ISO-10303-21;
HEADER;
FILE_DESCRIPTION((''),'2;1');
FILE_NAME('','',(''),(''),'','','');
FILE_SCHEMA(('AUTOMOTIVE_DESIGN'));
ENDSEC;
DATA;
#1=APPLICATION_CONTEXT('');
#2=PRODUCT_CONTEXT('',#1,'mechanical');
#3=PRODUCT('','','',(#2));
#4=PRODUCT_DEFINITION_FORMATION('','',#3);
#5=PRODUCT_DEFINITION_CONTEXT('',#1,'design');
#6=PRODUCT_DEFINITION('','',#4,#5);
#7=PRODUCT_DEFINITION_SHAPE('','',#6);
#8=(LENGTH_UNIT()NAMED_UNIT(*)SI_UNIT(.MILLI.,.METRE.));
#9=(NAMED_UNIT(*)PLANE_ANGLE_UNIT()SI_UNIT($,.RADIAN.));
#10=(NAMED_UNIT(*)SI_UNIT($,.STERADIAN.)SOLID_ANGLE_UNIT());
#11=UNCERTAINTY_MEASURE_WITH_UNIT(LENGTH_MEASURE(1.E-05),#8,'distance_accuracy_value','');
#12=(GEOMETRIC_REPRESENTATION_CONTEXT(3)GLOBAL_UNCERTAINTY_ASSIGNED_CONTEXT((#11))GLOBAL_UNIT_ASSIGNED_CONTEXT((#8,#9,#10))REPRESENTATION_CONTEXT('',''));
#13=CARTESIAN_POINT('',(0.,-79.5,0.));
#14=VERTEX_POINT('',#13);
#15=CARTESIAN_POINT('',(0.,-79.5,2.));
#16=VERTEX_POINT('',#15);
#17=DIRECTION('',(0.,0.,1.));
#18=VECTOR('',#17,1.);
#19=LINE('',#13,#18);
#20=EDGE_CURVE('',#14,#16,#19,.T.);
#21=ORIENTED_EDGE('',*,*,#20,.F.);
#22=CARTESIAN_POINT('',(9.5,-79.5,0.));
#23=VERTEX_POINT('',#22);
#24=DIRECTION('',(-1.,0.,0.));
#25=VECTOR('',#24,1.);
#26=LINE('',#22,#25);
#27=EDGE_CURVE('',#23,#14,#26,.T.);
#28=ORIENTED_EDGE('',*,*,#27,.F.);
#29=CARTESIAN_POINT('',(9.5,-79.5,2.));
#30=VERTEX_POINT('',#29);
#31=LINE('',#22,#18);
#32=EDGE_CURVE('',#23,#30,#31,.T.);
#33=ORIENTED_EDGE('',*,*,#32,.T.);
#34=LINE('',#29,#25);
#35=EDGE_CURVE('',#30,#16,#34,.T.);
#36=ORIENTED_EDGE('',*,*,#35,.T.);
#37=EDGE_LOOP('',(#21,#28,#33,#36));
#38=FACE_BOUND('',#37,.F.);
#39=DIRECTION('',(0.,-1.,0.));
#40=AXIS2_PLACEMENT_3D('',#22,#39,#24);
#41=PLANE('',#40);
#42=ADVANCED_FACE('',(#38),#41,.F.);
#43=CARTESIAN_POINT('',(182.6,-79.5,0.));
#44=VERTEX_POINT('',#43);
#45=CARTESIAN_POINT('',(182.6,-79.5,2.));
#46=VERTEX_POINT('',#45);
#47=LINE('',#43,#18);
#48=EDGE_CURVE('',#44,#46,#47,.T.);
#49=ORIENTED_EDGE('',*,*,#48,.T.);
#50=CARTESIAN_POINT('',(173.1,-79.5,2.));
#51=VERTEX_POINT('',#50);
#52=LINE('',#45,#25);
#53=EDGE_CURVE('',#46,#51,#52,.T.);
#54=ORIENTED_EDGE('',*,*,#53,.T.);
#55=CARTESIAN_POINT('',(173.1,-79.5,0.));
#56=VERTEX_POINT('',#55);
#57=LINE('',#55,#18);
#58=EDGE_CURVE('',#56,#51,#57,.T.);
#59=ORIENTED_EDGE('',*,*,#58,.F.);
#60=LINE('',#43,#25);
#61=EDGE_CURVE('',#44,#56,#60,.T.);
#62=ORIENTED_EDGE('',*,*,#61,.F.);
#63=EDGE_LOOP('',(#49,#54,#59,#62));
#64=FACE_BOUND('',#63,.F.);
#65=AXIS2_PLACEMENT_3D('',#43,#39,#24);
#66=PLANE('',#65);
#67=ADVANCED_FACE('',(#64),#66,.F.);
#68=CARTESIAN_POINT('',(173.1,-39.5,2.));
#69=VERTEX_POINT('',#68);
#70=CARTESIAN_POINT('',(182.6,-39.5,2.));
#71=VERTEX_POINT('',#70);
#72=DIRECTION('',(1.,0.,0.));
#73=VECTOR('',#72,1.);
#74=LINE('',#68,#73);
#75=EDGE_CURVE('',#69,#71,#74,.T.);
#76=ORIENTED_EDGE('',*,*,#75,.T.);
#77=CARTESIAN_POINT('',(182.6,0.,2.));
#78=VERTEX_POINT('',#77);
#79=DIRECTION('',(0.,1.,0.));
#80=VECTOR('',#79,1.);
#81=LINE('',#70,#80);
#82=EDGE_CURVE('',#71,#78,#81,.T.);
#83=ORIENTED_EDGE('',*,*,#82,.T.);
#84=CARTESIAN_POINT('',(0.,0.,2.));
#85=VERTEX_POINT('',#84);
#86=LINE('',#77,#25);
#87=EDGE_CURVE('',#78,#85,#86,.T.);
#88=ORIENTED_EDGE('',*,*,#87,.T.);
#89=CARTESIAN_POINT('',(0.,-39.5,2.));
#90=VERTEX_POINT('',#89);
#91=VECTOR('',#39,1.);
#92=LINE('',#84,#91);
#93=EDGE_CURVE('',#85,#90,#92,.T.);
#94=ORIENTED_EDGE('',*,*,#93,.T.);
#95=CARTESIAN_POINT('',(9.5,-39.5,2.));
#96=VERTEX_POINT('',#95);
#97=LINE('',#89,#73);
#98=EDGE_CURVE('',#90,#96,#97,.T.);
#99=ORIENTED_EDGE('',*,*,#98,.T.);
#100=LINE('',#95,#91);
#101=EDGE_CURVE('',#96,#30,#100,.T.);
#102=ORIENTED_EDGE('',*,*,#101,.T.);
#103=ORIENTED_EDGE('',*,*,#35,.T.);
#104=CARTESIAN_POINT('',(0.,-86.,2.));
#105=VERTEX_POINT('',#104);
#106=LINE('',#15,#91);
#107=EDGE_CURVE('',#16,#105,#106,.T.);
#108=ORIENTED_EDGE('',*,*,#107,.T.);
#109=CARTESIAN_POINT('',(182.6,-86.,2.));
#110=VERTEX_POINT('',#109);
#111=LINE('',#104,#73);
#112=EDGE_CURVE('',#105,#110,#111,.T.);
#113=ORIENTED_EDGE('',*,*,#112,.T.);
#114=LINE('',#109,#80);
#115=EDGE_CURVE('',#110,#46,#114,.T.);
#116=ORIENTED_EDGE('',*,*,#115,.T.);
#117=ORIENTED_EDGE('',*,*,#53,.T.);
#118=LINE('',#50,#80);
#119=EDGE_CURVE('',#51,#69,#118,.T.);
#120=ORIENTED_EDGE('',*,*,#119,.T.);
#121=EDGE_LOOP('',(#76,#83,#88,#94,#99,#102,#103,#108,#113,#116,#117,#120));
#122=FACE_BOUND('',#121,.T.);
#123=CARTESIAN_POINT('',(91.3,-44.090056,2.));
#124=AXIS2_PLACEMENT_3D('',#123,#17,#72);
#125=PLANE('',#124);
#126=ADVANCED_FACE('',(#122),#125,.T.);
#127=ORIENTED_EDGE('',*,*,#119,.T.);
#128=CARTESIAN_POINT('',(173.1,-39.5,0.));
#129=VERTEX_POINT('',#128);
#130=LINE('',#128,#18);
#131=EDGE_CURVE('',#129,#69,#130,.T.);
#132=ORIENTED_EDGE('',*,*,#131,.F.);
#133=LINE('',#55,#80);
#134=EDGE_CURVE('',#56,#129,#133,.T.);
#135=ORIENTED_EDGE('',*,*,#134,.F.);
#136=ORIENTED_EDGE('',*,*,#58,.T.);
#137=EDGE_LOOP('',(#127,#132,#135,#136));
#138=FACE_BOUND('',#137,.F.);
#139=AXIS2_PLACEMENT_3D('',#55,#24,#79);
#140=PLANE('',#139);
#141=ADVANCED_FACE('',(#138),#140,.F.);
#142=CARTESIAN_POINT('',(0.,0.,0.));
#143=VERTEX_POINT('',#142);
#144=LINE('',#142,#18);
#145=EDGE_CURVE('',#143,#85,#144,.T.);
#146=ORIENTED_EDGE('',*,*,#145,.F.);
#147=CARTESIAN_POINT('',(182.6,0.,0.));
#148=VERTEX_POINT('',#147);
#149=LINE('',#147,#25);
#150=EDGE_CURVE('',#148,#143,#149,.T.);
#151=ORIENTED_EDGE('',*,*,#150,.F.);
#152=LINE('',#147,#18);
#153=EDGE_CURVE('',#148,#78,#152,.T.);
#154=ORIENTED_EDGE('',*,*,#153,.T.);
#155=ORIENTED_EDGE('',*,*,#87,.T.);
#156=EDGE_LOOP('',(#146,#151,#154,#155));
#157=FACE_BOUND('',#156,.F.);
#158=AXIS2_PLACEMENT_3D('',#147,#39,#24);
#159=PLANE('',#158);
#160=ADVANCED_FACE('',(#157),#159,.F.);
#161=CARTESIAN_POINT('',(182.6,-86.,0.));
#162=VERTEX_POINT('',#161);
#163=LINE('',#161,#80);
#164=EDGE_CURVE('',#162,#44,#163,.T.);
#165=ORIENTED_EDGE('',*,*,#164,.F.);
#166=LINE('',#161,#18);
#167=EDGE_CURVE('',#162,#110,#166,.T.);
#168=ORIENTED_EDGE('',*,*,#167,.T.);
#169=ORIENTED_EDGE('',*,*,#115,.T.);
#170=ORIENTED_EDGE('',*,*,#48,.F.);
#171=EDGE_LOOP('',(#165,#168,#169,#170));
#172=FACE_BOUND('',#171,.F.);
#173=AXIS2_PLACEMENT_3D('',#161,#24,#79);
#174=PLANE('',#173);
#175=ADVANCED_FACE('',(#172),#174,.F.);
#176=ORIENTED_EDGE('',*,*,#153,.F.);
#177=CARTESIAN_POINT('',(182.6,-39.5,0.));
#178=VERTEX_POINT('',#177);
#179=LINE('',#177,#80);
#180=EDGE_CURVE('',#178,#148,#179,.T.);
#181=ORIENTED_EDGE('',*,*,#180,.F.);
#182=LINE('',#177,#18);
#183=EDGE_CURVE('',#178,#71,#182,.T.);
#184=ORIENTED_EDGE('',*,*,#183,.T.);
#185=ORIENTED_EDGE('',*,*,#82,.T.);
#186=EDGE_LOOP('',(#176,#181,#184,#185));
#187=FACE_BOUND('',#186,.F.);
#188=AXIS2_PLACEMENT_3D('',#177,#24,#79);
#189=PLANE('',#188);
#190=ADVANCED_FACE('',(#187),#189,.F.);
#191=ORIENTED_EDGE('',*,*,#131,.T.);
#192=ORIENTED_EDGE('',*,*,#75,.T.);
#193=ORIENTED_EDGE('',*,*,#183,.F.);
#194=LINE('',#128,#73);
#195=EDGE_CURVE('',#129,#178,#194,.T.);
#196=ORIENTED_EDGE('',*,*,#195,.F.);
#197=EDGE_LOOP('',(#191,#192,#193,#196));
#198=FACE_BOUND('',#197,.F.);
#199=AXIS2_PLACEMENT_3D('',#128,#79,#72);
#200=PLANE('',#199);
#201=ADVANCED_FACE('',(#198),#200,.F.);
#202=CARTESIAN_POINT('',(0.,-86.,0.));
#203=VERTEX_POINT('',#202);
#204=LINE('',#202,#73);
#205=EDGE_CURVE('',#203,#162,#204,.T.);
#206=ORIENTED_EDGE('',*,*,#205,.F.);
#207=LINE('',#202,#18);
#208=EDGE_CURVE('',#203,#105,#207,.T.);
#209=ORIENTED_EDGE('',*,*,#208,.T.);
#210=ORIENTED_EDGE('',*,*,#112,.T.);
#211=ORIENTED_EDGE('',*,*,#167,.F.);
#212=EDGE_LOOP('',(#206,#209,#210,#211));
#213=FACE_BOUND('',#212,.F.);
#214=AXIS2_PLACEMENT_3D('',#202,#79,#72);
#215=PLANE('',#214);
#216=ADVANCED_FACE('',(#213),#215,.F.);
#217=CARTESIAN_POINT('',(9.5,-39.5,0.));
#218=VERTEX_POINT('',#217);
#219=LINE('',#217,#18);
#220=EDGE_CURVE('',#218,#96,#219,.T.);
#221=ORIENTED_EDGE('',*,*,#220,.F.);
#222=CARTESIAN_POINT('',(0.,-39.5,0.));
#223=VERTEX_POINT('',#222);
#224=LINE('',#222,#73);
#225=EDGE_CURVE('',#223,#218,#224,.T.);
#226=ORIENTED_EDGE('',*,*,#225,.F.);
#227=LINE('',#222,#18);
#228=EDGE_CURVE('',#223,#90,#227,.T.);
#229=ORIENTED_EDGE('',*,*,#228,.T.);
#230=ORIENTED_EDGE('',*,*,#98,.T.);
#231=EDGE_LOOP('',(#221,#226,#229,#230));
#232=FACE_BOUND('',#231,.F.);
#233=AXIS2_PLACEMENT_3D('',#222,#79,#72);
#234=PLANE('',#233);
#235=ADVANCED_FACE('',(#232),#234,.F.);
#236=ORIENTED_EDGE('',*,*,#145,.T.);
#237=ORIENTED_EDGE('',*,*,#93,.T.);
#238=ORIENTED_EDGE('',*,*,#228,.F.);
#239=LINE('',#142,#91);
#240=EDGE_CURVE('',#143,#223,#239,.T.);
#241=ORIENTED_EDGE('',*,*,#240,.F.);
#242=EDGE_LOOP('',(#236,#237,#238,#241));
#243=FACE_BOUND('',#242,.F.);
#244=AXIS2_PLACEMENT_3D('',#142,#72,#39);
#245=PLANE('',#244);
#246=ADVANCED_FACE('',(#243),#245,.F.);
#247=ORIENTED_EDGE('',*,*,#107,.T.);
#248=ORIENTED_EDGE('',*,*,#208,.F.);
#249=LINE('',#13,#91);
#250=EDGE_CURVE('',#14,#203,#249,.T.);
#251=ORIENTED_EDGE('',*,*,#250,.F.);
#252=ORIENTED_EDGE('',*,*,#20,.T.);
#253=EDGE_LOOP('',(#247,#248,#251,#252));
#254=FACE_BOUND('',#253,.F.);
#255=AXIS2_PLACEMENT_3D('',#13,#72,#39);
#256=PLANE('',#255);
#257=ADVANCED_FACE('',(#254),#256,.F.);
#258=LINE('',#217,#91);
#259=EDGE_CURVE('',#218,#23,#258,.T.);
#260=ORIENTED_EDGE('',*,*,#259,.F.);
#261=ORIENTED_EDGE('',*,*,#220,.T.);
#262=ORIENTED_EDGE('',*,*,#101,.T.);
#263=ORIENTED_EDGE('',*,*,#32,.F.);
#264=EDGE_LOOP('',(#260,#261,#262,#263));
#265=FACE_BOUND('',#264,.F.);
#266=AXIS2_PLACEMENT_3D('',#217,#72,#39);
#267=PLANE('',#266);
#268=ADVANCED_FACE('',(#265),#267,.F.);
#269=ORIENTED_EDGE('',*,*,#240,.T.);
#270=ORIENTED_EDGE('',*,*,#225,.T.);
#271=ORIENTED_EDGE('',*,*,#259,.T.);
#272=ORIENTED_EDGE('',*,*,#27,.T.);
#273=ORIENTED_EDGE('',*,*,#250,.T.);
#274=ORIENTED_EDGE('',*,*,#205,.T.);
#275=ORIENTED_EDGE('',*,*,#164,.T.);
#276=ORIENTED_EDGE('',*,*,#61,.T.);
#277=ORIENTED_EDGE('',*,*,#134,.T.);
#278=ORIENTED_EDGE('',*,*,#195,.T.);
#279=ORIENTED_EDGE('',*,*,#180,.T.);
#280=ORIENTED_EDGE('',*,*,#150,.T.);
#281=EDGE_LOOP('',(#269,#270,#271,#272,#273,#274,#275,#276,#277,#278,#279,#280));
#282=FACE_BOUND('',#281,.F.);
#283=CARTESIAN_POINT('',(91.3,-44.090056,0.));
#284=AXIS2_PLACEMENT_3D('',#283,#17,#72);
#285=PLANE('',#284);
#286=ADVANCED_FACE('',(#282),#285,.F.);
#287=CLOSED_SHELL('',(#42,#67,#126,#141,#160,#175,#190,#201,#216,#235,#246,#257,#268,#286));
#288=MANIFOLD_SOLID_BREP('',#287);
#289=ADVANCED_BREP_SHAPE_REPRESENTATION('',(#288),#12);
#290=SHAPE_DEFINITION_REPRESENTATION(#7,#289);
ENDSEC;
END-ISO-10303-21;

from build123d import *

# Parameters (mm, degrees)
BOSS_EXTRUDE1_DEPTH = 2


with BuildPart() as part:
    # Sketch1 → Boss-Extrude1 (new body)
    with BuildSketch(Plane.XY):
        Polygon((0, -79.5), (0, -86), (182.6, -86), (182.6, -79.5), (173.1, -79.5), (173.1, -39.5), (182.6, -39.5), (182.6, 0), (0, 0), (0, -39.5), (9.5, -39.5), (9.5, -79.5), align=None)
    extrude(amount=BOSS_EXTRUDE1_DEPTH)


solid = part.part
